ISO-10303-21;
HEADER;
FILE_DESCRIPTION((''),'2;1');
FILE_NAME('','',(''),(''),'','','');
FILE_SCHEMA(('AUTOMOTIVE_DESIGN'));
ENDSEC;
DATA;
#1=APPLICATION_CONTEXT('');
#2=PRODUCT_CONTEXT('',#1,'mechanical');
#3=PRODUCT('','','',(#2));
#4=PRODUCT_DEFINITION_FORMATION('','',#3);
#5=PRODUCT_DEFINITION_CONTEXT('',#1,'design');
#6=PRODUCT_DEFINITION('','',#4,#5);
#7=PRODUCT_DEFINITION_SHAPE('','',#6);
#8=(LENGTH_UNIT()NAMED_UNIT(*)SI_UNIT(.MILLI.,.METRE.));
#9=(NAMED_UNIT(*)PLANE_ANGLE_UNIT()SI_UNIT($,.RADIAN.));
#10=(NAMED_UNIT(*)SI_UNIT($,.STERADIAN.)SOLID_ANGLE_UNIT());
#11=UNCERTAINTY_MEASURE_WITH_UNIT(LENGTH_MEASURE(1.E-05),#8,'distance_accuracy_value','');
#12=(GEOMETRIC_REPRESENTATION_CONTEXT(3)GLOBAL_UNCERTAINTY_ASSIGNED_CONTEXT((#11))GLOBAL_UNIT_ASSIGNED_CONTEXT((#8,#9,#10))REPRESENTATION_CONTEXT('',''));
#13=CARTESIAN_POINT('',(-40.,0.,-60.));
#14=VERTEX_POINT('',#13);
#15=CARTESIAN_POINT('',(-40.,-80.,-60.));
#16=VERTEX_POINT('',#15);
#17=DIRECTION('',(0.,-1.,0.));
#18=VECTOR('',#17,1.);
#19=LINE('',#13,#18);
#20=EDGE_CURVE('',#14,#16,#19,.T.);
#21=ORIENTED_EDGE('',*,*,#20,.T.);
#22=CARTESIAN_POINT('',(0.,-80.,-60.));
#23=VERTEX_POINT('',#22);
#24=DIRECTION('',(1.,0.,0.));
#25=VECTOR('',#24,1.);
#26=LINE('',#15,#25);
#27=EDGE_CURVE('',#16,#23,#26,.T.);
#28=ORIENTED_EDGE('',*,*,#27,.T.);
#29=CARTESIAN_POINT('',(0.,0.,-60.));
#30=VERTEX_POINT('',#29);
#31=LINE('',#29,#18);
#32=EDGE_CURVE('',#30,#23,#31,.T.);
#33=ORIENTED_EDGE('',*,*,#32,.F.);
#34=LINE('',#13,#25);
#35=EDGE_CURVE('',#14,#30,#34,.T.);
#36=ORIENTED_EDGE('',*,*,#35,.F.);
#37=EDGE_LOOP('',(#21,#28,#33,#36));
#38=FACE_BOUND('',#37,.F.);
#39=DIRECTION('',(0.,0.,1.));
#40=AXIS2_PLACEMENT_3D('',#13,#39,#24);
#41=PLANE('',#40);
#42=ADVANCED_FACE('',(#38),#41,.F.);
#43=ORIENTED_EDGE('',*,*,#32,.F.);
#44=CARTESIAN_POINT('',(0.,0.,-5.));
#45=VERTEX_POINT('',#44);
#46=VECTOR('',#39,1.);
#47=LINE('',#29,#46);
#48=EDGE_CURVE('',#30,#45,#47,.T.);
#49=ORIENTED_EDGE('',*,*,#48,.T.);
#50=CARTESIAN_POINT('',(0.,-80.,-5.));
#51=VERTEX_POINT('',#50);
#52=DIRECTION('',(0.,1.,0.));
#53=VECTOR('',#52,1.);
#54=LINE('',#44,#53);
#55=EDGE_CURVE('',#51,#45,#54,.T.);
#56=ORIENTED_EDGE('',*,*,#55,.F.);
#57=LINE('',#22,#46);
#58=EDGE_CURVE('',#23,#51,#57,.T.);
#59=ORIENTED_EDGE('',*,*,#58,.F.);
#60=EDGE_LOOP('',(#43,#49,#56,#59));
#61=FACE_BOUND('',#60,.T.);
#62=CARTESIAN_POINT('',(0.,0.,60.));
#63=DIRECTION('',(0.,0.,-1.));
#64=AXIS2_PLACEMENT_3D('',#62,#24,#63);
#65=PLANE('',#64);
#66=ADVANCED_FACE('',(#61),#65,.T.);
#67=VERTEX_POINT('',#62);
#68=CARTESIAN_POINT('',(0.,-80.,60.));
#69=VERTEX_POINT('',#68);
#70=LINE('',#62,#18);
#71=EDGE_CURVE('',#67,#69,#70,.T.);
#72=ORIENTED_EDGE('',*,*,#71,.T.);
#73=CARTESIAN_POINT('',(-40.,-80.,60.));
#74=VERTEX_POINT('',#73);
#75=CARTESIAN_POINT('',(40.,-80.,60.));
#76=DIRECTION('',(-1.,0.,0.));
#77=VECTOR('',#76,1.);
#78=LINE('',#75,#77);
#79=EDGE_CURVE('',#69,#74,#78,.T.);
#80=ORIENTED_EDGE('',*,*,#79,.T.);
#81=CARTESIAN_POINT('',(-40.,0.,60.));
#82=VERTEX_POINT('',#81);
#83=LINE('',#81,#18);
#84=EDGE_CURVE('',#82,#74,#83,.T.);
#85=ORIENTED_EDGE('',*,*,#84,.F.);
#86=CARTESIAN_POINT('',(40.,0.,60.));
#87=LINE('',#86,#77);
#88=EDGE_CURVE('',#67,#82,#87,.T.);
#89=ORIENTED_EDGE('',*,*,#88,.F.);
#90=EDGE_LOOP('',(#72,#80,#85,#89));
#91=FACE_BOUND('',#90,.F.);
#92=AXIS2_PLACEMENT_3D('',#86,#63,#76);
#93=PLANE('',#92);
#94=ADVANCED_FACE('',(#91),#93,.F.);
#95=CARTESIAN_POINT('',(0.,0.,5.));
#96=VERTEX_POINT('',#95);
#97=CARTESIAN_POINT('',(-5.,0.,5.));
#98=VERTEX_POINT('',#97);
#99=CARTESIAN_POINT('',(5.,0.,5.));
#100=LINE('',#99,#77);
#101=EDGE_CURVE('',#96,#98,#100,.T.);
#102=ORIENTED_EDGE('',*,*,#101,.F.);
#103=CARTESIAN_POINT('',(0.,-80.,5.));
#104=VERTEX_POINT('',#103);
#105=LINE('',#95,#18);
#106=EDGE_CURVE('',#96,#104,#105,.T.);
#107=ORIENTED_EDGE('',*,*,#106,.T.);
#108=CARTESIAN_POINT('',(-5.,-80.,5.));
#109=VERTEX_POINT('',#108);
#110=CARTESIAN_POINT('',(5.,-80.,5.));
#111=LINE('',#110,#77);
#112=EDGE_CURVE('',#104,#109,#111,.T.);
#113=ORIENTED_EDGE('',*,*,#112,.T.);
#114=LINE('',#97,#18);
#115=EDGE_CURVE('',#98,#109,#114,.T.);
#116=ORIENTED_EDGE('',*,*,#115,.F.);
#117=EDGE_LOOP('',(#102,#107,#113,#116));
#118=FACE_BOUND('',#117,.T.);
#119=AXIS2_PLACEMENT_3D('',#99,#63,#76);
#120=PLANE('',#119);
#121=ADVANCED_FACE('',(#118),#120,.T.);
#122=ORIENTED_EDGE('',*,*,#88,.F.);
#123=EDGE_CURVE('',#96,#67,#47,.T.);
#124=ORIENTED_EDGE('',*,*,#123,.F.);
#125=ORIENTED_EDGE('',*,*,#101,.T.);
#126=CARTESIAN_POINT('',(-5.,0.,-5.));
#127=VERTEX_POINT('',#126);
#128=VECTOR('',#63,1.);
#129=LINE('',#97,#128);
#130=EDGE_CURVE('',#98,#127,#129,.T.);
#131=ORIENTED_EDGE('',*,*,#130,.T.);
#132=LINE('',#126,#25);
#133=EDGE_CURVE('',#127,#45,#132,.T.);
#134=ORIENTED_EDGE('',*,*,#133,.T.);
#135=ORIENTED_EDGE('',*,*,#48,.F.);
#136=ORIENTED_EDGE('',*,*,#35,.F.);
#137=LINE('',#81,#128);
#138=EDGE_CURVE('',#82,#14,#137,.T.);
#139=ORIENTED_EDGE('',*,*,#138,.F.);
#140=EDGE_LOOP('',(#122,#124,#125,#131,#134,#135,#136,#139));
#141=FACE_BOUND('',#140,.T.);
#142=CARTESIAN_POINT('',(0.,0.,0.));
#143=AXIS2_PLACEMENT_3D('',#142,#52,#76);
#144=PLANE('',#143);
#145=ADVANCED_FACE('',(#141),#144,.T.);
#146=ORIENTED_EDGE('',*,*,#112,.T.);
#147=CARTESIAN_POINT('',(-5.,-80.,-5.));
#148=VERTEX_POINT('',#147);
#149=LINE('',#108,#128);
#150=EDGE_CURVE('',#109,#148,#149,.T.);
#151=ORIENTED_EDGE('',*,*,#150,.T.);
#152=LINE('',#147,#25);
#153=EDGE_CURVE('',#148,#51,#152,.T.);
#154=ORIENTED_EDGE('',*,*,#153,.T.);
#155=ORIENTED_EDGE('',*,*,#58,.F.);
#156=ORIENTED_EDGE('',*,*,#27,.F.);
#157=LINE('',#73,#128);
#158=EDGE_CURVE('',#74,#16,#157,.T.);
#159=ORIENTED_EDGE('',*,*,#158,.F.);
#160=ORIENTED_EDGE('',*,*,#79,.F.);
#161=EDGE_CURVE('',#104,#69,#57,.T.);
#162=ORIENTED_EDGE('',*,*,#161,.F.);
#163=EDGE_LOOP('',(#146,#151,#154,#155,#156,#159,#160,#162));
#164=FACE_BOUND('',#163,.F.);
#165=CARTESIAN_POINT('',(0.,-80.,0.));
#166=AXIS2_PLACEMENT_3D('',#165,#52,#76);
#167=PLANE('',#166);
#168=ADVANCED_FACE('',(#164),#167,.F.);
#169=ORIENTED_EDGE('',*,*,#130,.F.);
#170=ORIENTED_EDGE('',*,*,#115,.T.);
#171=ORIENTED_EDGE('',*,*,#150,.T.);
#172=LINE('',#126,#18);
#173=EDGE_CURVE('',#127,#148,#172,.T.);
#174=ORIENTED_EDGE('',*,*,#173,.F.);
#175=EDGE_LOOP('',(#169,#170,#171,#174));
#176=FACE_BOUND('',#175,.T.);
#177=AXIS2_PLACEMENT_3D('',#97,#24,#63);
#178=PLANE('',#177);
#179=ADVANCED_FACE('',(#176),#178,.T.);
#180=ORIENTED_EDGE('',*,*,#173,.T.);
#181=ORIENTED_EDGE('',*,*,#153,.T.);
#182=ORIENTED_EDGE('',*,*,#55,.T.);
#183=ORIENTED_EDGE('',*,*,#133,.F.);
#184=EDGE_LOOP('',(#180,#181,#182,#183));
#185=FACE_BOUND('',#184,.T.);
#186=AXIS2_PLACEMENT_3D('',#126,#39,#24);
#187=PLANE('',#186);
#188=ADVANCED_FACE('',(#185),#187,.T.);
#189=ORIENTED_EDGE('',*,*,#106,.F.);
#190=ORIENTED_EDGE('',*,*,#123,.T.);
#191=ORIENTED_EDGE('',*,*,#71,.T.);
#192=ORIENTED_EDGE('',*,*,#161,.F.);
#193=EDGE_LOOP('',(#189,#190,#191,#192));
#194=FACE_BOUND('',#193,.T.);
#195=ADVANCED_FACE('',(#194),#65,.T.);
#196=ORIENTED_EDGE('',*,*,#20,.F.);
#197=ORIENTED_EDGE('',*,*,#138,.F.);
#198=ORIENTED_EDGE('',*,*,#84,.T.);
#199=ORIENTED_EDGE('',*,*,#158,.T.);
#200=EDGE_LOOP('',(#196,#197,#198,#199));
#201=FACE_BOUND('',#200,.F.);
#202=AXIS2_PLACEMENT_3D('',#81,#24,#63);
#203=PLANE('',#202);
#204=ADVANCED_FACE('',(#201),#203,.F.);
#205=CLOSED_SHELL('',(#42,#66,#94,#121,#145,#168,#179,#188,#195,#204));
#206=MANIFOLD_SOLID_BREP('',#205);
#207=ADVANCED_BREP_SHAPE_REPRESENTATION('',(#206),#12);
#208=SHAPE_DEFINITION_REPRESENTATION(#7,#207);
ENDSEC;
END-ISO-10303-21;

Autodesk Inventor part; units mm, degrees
ref_plane "YZ Plane" through (0, 0, 0) normal (1, 0, 0) x (0, 1, 0)
ref_plane "XZ Plane" through (0, 0, 0) normal (0, 1, 0) x (-1, 0, 0)
ref_plane "XY Plane" through (0, 0, 0) normal (0, 0, 1) x (1, 0, 0)
sketch "Sketch1" plane through (0, 0, 0) normal (0, 1, 0) x (-1, 0, 0)
  line L0 (40, -60) -> (-40, -60)
  line L1 (-40, -60) -> (-40, 60)
  line L2 (-40, 60) -> (40, 60)
  line L3 (40, 60) -> (40, -60)
  line L4 (5, -5) -> (-5, -5)
  line L5 (-5, -5) -> (-5, 5)
  line L6 (-5, 5) -> (5, 5)
  line L7 (5, 5) -> (5, -5)
  point P0 (0, 0)
  point P1 (-5, 0)
  dimension "d1" = 120
  dimension "d2" = 80
  dimension "d3" = 10
  dimension "d4" = 10
  dimension "d5" = 5
  dimension "d6" = 5
  dimension "d7" = 40
  dimension "d8" = 60
extrude "Extrusion1" add sketch "Sketch1" against normal blind 80
sketch "Sketch5" plane through (40, 0, 60) normal (1, 0, 0) x (0, 0, -1)
  line L0 (120, 0) -> (0, 0) projected
  line L1 (120, 0) -> (120, -80) projected
  line L2 (120, -80) -> (0, -80) projected
  line L3 (0, 0) -> (0, -80) projected
  point P0 (60, 0)
extrude "Extrusion3" cut sketch "Sketch5" against normal blind 40
properties part number "socket_V2"
